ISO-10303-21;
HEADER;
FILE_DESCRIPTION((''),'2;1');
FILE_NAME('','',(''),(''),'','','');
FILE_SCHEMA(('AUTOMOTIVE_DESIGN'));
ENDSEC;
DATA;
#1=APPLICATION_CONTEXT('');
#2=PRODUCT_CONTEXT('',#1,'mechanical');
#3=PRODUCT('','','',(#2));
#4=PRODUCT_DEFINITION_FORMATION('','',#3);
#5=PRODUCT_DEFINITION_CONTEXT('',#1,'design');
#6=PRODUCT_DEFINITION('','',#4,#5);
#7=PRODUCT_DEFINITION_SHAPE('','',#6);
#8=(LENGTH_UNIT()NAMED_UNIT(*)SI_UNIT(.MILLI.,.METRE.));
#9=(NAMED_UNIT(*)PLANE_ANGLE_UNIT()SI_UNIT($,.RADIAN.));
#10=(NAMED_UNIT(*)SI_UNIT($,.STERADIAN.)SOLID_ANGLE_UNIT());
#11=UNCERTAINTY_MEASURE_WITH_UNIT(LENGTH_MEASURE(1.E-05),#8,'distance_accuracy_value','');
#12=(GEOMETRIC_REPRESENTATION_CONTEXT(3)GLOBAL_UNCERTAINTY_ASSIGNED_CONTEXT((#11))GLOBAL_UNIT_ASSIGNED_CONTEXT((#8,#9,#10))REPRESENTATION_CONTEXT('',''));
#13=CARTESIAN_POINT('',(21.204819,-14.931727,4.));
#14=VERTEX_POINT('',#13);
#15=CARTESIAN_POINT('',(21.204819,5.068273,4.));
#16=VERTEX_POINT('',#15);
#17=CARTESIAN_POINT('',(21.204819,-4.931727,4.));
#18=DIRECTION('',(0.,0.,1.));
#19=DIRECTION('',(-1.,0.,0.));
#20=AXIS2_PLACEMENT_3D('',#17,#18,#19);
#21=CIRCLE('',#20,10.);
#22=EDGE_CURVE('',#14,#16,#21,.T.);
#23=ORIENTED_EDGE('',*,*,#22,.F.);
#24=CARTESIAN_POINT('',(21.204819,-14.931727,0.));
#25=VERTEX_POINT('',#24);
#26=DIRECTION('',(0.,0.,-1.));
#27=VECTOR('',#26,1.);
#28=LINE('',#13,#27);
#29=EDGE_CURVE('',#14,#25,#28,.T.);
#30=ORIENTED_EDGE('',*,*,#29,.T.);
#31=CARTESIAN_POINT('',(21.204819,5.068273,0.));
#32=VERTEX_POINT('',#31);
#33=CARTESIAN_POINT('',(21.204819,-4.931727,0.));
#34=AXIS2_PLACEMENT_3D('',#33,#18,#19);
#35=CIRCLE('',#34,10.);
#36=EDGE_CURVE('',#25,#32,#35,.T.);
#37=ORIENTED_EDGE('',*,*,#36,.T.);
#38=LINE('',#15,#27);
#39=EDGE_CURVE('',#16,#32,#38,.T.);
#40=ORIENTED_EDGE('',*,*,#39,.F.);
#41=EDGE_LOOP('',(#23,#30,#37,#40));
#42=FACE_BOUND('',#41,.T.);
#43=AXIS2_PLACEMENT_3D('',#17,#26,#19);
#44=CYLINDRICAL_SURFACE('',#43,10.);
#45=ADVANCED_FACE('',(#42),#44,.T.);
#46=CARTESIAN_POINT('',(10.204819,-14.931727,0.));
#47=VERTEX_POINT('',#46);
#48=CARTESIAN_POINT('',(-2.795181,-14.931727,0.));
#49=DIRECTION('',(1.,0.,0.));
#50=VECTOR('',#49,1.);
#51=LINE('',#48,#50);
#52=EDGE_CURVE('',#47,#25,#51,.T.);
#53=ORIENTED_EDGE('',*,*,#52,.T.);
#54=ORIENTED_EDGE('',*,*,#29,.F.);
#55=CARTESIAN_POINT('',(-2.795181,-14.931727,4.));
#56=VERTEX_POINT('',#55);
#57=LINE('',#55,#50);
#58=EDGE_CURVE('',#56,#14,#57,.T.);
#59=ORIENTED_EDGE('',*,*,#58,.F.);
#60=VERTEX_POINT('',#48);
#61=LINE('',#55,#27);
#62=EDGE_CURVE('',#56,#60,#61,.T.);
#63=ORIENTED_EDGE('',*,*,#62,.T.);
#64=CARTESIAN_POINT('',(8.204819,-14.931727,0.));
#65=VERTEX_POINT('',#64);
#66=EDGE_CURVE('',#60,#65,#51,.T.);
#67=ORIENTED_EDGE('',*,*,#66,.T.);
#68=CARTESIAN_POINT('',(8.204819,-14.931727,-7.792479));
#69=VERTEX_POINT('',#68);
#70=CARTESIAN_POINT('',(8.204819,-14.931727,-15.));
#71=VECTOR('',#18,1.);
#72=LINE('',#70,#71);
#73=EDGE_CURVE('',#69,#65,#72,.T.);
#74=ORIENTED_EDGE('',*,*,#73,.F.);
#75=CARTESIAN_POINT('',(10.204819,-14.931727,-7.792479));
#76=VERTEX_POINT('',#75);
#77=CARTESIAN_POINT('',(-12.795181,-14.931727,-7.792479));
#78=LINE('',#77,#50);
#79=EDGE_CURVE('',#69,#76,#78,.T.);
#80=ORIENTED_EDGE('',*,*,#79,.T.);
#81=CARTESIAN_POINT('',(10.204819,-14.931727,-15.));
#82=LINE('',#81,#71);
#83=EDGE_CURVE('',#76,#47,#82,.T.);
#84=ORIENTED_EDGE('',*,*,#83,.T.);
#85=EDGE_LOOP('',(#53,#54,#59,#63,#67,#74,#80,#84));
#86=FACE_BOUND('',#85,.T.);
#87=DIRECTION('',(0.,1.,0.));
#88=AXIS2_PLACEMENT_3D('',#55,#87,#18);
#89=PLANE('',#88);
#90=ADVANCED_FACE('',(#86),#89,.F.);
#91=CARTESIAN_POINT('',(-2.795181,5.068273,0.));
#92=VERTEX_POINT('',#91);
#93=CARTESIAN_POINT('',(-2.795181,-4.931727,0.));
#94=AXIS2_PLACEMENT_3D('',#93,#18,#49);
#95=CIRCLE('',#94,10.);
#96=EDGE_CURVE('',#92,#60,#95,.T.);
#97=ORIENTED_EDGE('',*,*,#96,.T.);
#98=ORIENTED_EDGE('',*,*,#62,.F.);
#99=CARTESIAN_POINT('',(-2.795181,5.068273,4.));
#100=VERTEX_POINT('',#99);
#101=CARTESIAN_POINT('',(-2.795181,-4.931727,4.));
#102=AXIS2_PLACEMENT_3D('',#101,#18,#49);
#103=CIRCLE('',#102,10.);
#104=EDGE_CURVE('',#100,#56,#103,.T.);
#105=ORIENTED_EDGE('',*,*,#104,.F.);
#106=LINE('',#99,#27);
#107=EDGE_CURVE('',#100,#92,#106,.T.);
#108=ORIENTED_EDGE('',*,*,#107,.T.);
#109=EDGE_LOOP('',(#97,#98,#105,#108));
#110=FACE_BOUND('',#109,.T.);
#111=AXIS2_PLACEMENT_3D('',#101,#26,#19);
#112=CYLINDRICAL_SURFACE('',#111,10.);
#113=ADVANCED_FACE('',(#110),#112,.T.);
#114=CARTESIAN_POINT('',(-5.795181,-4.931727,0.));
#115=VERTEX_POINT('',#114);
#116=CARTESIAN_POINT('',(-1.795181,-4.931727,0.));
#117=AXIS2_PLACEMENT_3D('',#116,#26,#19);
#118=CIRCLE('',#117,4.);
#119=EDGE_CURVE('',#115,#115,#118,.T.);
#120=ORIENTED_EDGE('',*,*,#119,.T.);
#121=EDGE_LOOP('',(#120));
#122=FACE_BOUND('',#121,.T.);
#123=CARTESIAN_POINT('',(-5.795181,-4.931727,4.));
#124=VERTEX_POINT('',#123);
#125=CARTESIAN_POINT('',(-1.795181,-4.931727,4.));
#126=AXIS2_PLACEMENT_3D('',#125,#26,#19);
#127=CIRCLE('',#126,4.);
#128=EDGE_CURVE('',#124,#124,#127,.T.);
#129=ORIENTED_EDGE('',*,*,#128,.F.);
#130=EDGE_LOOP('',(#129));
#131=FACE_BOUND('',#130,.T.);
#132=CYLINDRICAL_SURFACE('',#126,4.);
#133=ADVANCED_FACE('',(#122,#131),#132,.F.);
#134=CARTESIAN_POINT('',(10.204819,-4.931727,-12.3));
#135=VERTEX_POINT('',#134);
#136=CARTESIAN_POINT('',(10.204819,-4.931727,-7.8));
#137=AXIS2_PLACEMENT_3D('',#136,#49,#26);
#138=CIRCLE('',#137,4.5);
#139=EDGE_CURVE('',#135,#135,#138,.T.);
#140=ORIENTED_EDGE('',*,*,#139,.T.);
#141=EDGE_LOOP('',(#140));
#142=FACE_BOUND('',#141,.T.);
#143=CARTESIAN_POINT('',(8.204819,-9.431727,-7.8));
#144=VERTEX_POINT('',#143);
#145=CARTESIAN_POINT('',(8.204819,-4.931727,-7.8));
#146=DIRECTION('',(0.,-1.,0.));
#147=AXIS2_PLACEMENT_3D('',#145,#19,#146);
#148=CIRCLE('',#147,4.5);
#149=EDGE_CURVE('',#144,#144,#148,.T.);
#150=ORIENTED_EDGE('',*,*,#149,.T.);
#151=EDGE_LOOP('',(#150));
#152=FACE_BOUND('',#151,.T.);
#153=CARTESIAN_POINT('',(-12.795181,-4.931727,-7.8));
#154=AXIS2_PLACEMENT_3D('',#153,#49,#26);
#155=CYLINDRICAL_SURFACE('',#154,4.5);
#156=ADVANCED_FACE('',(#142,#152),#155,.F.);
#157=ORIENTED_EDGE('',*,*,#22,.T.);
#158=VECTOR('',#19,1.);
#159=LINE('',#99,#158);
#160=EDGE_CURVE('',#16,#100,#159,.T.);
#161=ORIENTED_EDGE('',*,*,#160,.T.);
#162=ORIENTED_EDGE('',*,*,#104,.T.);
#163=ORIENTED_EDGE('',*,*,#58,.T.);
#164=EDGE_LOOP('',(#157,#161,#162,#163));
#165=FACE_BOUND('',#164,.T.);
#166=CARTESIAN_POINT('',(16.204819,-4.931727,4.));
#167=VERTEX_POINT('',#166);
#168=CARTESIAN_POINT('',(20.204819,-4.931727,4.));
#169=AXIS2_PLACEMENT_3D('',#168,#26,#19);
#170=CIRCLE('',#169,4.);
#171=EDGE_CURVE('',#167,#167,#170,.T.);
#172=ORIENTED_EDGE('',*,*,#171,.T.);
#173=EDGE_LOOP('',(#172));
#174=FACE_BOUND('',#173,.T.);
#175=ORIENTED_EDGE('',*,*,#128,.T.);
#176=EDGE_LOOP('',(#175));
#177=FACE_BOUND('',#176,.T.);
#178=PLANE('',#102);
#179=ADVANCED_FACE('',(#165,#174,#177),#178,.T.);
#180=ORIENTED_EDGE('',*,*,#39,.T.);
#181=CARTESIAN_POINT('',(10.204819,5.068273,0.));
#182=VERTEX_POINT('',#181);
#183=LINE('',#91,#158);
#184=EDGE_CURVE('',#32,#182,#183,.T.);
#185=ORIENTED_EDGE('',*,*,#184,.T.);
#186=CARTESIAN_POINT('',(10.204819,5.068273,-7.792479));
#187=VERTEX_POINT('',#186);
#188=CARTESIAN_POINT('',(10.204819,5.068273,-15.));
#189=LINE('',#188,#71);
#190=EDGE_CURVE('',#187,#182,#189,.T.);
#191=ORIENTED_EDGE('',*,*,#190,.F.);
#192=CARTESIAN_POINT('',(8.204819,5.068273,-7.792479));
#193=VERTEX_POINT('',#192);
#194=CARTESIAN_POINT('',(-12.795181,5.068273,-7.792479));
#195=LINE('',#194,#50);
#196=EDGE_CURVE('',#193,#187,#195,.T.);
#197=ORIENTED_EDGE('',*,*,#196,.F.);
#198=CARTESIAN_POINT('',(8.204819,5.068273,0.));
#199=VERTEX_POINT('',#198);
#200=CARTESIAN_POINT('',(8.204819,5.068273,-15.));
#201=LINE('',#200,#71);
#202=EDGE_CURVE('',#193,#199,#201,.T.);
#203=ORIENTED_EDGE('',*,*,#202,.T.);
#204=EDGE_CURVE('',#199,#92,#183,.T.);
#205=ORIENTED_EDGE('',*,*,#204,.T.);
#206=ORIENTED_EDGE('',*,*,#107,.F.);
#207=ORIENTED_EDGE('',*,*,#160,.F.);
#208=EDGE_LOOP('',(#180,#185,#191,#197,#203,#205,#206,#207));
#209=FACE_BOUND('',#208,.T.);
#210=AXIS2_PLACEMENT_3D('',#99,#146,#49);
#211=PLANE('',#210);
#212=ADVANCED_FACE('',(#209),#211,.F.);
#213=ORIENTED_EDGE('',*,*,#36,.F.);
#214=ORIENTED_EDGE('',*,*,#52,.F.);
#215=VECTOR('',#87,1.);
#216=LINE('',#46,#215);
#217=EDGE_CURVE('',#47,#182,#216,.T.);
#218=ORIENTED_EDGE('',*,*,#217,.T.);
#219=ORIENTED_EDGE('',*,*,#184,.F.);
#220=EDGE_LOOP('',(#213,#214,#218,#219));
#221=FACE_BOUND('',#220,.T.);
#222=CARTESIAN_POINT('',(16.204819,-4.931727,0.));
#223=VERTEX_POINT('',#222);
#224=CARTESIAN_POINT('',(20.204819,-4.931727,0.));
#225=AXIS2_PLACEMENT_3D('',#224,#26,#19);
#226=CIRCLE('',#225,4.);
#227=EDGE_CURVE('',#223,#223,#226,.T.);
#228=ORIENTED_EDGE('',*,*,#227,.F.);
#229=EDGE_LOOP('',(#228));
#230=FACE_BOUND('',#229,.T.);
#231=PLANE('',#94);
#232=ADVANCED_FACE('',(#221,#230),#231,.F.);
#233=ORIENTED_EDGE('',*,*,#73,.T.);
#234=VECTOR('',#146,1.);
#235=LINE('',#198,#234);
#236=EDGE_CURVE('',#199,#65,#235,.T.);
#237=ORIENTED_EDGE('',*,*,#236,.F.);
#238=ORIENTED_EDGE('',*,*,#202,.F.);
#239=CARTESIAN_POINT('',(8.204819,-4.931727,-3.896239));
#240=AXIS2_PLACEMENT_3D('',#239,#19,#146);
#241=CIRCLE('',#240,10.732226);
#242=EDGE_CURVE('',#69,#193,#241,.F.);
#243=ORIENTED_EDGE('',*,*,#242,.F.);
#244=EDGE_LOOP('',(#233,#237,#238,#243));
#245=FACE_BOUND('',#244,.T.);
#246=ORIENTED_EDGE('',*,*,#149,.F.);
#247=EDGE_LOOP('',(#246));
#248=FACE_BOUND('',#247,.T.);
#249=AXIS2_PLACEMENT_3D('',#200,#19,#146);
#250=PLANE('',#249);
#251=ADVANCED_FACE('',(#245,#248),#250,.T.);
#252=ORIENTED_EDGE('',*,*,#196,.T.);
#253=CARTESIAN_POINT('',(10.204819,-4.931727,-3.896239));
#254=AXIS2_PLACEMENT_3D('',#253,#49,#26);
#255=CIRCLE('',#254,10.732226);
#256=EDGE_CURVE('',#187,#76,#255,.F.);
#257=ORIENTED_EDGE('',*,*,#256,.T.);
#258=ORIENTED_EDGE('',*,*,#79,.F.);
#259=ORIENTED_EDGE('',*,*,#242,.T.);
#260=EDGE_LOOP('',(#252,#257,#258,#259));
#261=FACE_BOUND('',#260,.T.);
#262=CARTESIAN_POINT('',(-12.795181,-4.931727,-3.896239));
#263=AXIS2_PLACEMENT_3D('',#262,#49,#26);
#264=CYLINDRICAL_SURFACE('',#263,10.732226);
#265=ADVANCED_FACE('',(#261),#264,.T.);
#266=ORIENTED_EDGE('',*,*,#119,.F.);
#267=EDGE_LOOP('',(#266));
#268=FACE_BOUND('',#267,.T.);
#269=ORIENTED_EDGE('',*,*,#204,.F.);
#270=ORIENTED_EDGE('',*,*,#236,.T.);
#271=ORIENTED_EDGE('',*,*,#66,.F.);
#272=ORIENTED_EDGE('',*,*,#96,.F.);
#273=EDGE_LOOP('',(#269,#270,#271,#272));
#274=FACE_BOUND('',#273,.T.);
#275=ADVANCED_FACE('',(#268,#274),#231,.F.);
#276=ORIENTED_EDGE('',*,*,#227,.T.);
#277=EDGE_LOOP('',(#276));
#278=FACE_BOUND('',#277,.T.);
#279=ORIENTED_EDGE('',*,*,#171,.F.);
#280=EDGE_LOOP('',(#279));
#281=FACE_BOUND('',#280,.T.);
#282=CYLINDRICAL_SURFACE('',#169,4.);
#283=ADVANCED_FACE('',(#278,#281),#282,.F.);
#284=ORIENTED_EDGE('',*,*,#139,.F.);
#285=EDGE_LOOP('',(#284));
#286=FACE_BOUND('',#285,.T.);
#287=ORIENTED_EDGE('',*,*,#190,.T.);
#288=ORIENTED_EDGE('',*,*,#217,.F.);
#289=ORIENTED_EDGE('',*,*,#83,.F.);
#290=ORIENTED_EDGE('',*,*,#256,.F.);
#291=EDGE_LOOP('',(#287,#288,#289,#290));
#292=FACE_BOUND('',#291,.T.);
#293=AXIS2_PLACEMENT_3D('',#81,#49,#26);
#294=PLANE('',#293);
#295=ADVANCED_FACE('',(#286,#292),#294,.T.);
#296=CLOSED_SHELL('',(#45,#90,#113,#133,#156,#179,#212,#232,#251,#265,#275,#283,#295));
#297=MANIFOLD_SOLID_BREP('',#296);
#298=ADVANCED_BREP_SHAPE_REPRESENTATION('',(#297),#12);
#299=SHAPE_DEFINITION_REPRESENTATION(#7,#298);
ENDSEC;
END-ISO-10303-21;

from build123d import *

# Parameters (mm, degrees)
BOSS_EXTRU_1_DEPTH         = 4
ESQUISSE2_W                = 2
ESQUISSE2_H                = 20
BOSS_EXTRU_2_DEPTH         = 15
ESQUISSE3_R                = 4.5
ENL_V_MAT_EXTRU_1_DEPTH    = 24
ESQUISSE4_R                = 4
ENL_V_MAT_EXTRU_2_DEPTH    = 5
R_P_TITION_LIN_AIRE1_COUNT = 2
R_P_TITION_LIN_AIRE1_PITCH = 22


with BuildPart() as part:
    # Esquisse1 → Boss.-Extru.1 (new body)
    with BuildSketch(Plane.XY):
        with BuildLine():
            Line((-2.795180723, 5.068273092), (21.204819277, 5.068273092))
            ThreePointArc((21.204819277, 5.068273092), (31.204819277, -4.931726908), (21.204819277, -14.931726908))
            Line((21.204819277, -14.931726908), (-2.795180723, -14.931726908))
            ThreePointArc((-2.795180723, -14.931726908), (-12.795180723, -4.931726908), (-2.795180723, 5.068273092))
        make_face()
    extrude(amount=BOSS_EXTRU_1_DEPTH)

    # Esquisse2 → Boss.-Extru.2 (add)
    with BuildSketch(Plane.XY):
        with Locations((9.204819277, -4.931726908)):
            Rectangle(ESQUISSE2_W, ESQUISSE2_H)
    extrude(amount=-BOSS_EXTRU_2_DEPTH)

    # Esquisse3 → Enlèv. mat.-Extru.1 (cut, through all)
    with BuildSketch(Plane(origin=(10.204819277, 0, 0), x_dir=(0, 0, -1), z_dir=(1, 0, 0))):
        with BuildLine():
            Line((15, 5.068273092), (7.792478569, 5.068273092))
            ThreePointArc((7.792478569, 5.068273092), (14.628465548, -4.931726908), (7.792478569, -14.931726908))
            Line((7.792478569, -14.931726908), (15, -14.931726908))
            Line((15, -14.931726908), (15, 5.068273092))
        make_face()
        with Locations((7.8, -4.931726908)):
            Circle(ESQUISSE3_R)
    extrude(amount=-ENL_V_MAT_EXTRU_1_DEPTH, mode=Mode.SUBTRACT)

    # Esquisse4 → Enlèv. mat.-Extru.2 (cut, through all)
    with BuildSketch(Plane(origin=(0, 0, 0), x_dir=(-1, 0, 0), z_dir=(0, 0, -1))):
        with Locations((-20.204819277, -4.931726908)):
            Circle(ESQUISSE4_R)
    enl_v_mat_extru_2 = extrude(amount=-ENL_V_MAT_EXTRU_2_DEPTH, mode=Mode.SUBTRACT)

    # Répétition linéaire1: Enlèv. mat.-Extru.2 ×2
    with Locations(*[(-i * R_P_TITION_LIN_AIRE1_PITCH, 0, 0) for i in range(1, R_P_TITION_LIN_AIRE1_COUNT)]):
        add(enl_v_mat_extru_2, mode=Mode.SUBTRACT)


solid = part.part
